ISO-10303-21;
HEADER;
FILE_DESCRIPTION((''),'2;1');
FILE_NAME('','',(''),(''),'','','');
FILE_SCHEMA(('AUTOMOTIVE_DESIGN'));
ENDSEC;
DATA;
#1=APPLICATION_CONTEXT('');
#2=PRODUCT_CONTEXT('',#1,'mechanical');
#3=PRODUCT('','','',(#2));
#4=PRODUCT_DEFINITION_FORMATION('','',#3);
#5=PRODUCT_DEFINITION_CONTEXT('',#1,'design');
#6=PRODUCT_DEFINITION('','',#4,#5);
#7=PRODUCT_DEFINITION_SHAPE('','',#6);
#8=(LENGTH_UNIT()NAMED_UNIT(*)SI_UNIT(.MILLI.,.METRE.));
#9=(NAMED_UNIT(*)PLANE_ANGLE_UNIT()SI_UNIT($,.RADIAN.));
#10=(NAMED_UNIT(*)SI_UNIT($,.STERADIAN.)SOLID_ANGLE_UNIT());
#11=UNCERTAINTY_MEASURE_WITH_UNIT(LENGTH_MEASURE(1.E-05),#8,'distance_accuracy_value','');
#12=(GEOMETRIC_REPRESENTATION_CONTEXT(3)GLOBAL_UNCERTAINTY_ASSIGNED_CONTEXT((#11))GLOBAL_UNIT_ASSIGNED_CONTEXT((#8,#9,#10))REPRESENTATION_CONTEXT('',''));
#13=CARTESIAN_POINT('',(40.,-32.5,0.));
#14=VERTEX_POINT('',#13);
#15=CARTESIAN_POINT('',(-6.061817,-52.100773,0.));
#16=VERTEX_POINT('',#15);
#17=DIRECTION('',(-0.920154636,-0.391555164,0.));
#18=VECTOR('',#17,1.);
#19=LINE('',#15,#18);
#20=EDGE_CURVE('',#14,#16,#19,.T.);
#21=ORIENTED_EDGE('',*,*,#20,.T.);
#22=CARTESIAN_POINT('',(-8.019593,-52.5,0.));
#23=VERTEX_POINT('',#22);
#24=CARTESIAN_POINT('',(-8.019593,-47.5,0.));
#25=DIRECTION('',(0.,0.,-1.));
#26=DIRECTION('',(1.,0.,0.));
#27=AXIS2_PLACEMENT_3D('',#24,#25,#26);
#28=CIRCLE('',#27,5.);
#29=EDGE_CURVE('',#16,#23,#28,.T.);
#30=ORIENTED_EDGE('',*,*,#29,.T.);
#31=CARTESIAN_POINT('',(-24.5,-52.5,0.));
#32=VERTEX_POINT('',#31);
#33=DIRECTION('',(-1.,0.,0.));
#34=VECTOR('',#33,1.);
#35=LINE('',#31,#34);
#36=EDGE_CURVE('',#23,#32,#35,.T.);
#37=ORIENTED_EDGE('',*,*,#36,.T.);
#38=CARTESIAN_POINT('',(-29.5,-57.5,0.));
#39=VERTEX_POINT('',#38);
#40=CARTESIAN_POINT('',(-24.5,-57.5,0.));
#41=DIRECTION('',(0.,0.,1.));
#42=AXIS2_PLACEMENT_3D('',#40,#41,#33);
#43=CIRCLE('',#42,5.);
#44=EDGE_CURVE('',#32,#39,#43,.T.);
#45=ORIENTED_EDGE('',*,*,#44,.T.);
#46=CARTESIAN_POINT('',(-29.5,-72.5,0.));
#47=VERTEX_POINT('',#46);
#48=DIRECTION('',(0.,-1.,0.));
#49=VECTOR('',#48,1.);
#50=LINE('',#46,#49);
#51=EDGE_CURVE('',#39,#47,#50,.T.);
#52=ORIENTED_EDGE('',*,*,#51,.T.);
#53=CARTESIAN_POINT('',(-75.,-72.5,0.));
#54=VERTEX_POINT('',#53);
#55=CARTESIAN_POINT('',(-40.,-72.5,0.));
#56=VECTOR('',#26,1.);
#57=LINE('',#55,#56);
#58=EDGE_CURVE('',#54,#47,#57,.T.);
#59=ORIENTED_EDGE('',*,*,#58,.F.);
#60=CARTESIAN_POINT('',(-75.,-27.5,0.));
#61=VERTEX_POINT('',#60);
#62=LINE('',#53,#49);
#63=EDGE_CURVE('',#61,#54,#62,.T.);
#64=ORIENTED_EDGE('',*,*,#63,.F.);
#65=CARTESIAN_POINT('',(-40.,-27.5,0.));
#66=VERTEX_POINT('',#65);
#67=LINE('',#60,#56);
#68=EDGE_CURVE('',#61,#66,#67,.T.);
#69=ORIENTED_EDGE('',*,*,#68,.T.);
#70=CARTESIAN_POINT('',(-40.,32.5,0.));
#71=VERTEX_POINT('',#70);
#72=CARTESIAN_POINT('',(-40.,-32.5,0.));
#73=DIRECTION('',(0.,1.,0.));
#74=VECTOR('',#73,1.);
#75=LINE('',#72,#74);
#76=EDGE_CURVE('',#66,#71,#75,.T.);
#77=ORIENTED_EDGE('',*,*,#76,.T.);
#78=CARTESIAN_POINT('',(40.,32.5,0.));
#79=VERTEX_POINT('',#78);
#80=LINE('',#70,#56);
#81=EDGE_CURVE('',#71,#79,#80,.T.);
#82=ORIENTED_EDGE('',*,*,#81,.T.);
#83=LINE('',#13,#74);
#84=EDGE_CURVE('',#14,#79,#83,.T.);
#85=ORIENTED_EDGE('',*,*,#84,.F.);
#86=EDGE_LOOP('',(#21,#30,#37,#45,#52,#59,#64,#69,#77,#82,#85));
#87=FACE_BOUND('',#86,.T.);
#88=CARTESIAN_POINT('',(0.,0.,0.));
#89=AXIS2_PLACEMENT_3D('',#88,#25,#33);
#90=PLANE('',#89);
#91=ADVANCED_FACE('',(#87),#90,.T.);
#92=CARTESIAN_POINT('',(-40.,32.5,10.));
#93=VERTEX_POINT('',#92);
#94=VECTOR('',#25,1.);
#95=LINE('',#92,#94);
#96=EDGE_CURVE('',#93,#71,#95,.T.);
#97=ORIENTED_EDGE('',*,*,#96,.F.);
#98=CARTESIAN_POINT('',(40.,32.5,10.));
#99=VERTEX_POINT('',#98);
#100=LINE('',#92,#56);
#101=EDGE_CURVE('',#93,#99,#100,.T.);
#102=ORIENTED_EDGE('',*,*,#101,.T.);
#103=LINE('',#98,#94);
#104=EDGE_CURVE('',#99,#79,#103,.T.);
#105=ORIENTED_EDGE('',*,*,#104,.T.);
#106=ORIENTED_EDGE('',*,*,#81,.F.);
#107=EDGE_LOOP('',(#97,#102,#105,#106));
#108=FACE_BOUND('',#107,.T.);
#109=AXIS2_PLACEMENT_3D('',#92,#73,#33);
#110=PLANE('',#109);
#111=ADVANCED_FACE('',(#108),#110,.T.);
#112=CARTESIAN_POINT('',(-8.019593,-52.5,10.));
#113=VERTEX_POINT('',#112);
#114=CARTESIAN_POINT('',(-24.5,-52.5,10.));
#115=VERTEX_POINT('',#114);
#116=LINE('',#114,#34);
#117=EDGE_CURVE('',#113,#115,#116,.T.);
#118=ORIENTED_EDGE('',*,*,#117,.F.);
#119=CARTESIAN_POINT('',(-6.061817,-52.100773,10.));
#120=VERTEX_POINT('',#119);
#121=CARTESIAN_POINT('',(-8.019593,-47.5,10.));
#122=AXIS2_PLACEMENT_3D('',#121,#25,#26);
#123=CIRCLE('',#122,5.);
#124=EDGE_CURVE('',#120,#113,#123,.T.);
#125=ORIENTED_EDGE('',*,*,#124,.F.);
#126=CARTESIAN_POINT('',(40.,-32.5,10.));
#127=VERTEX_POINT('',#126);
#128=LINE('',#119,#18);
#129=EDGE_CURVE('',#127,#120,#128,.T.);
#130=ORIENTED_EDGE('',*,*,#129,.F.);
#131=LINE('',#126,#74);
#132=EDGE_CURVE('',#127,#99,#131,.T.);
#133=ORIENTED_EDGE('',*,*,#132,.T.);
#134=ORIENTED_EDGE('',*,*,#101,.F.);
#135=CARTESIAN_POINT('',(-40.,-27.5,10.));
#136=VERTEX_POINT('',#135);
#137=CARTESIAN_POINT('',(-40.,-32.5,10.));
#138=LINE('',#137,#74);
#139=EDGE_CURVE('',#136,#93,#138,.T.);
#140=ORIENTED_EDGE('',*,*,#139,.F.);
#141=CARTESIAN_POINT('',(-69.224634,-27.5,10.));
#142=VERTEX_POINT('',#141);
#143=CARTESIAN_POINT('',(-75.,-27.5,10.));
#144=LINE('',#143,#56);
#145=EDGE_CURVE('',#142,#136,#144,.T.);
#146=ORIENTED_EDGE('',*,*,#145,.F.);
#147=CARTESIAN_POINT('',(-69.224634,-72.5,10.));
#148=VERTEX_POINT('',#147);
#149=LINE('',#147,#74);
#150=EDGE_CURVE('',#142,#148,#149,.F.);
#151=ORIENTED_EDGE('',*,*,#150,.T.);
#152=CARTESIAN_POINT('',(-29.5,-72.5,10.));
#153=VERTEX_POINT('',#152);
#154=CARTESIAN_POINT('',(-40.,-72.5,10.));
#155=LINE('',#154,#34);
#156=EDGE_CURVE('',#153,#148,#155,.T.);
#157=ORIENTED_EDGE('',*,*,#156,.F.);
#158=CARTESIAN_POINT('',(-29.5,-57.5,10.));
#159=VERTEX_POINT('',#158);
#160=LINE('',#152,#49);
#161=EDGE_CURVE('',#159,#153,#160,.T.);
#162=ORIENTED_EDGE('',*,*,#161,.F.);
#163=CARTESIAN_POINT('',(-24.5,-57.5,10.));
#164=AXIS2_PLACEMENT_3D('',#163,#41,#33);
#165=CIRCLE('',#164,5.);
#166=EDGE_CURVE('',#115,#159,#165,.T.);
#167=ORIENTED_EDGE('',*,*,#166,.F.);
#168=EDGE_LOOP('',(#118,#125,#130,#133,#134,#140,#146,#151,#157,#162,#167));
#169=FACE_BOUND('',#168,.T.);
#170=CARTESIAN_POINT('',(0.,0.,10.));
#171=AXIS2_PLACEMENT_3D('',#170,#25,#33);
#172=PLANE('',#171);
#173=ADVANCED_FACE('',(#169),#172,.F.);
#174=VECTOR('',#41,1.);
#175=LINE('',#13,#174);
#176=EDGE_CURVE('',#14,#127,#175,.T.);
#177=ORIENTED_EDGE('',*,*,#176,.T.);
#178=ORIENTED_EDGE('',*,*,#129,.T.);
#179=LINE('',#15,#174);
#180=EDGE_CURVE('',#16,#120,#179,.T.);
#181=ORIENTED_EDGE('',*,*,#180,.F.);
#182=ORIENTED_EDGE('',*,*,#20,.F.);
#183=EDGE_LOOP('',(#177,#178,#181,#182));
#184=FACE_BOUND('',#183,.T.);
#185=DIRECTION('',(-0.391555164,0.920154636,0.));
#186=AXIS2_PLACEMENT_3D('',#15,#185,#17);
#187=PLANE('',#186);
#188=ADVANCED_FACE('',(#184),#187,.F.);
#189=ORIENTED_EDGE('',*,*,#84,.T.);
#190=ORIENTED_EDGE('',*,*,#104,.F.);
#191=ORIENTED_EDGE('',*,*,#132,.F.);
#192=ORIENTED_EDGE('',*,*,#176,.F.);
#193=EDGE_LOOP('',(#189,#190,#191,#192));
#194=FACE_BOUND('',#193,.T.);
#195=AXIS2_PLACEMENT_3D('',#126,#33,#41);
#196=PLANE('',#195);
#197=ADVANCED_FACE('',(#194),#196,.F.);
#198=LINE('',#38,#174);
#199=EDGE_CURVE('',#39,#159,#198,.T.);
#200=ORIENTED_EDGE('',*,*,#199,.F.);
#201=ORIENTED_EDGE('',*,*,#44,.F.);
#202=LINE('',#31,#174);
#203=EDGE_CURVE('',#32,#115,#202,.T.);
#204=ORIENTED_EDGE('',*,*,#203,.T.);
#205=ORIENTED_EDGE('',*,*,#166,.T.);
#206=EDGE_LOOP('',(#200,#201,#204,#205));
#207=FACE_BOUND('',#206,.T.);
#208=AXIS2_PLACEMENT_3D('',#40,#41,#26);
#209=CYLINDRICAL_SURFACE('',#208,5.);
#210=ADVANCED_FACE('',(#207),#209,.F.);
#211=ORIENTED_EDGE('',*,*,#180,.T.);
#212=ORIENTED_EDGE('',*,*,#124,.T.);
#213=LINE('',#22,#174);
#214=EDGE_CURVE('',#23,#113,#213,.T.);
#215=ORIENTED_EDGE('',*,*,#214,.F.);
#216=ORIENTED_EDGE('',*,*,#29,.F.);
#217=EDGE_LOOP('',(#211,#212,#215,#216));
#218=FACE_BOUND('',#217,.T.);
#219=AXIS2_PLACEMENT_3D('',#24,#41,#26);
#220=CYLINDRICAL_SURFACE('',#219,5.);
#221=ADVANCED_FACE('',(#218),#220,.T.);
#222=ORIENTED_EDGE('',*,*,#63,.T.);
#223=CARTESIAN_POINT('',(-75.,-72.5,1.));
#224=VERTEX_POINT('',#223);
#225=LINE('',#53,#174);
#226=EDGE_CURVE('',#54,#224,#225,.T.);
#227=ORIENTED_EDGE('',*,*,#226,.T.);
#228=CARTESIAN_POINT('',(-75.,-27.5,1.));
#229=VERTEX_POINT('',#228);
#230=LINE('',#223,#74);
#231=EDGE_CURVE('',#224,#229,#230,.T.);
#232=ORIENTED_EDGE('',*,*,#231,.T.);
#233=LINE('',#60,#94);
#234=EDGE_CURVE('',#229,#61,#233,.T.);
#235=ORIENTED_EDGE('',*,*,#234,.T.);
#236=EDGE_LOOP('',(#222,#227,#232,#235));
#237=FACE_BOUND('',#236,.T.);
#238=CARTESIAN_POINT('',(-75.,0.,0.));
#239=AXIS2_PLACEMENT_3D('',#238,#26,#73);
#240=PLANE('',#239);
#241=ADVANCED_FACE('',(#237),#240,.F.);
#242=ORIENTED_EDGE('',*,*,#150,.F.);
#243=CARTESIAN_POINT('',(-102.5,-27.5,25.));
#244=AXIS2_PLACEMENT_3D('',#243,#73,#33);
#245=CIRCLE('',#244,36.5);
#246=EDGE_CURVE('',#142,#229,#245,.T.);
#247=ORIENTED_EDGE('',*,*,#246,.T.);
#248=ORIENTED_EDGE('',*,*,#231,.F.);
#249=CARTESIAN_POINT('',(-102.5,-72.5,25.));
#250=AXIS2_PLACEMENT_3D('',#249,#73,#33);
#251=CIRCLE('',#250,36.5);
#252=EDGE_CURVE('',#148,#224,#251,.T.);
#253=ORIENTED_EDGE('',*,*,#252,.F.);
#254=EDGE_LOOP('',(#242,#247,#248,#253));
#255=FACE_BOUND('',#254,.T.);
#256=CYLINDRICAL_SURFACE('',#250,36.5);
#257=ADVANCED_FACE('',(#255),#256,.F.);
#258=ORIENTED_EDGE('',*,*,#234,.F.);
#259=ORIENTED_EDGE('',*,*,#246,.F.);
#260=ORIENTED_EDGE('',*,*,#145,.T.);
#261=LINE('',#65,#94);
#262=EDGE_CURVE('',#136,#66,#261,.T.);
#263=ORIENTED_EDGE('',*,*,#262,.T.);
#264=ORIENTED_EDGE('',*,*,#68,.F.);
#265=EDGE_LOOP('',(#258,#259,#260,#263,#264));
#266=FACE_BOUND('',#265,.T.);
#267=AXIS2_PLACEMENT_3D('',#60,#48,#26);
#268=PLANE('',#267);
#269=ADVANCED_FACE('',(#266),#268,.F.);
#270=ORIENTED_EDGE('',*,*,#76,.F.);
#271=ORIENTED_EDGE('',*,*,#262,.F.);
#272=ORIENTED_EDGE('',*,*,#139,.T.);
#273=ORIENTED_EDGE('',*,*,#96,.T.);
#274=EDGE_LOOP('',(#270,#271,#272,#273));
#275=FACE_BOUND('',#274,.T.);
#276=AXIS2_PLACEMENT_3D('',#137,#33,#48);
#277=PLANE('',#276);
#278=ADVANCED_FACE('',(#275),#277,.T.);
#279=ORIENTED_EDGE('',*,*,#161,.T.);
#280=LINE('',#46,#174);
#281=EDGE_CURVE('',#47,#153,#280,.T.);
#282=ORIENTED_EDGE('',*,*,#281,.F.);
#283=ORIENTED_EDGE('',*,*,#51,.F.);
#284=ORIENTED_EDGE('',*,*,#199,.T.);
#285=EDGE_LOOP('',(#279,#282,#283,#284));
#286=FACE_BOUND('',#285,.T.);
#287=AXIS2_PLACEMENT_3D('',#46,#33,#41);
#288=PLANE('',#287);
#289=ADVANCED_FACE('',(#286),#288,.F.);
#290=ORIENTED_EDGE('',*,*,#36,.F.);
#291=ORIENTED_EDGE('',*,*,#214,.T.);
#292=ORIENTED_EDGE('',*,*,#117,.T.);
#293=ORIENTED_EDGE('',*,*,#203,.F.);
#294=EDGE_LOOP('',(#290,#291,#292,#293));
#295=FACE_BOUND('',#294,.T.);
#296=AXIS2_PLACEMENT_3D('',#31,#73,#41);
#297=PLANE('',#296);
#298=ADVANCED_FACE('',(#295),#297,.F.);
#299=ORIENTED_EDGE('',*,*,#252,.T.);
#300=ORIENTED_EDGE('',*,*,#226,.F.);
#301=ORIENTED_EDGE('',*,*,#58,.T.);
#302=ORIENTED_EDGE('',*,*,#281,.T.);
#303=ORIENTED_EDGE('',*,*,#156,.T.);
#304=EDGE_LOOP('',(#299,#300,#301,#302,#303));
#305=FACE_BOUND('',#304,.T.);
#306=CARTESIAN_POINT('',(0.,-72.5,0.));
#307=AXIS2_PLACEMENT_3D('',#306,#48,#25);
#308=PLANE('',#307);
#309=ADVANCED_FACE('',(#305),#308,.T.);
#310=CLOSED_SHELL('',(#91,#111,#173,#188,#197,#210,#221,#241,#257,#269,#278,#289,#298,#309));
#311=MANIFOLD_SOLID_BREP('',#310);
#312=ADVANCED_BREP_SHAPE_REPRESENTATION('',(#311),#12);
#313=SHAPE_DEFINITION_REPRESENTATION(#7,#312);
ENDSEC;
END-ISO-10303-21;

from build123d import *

# Parameters (mm, degrees)
SKETCH1_W           = 80
SKETCH1_H           = 65
BOSS_EXTRUDE1_DEPTH = 10
SKETCH3_W           = 80
SKETCH3_H           = 10
BOSS_EXTRUDE2_DEPTH = 40
SKETCH4_W           = 10
SKETCH4_H           = 45
BOSS_EXTRUDE3_DEPTH = 35
SKETCH5_R           = 36.5
CUT_EXTRUDE2_DEPTH  = 97.566039579
CUT_EXTRUDE3_DEPTH  = 105.791459576


with BuildPart() as part:
    # Sketch1 → Boss-Extrude1 (new body)
    with BuildSketch(Plane.XY):
        Rectangle(SKETCH1_W, SKETCH1_H)
    extrude(amount=BOSS_EXTRUDE1_DEPTH)

    # Sketch3 → Boss-Extrude2 (add)
    with BuildSketch(Plane.XZ.offset(32.5)):
        with Locations((0, 5)):
            Rectangle(SKETCH3_W, SKETCH3_H)
    extrude(amount=BOSS_EXTRUDE2_DEPTH)

    # Sketch4 → Boss-Extrude3 (add)
    with BuildSketch(Plane.ZY.offset(40)):
        with Locations((5, -50)):
            Rectangle(SKETCH4_W, SKETCH4_H)
    extrude(amount=BOSS_EXTRUDE3_DEPTH)

    # Sketch5 → Cut-Extrude2 (cut, through all)
    with BuildSketch(Plane(origin=(0, -27.5, 0), x_dir=(1, 0, 0), z_dir=(0, 1, 0))):
        with Locations((-102.5, -25)):
            Circle(SKETCH5_R)
    extrude(amount=-CUT_EXTRUDE2_DEPTH, mode=Mode.SUBTRACT)

    # Sketch6 → Cut-Extrude3 (cut, through all)
    with BuildSketch(Plane.XY.offset(10)):
        with BuildLine():
            Line((-29.5, -72.5), (40, -72.5))
            Line((40, -72.5), (40, -32.5))
            Line((40, -32.5), (-6.061816969, -52.100773178))
            ThreePointArc((-6.061816969, -52.100773178), (-7.020559729, -52.399176762), (-8.019592789, -52.5))
            Line((-8.019592789, -52.5), (-24.5, -52.5))
            ThreePointArc((-24.5, -52.5), (-28.035533906, -53.964466094), (-29.5, -57.5))
            Line((-29.5, -57.5), (-29.5, -72.5))
        make_face()
    extrude(amount=-CUT_EXTRUDE3_DEPTH, mode=Mode.SUBTRACT)


solid = part.part
